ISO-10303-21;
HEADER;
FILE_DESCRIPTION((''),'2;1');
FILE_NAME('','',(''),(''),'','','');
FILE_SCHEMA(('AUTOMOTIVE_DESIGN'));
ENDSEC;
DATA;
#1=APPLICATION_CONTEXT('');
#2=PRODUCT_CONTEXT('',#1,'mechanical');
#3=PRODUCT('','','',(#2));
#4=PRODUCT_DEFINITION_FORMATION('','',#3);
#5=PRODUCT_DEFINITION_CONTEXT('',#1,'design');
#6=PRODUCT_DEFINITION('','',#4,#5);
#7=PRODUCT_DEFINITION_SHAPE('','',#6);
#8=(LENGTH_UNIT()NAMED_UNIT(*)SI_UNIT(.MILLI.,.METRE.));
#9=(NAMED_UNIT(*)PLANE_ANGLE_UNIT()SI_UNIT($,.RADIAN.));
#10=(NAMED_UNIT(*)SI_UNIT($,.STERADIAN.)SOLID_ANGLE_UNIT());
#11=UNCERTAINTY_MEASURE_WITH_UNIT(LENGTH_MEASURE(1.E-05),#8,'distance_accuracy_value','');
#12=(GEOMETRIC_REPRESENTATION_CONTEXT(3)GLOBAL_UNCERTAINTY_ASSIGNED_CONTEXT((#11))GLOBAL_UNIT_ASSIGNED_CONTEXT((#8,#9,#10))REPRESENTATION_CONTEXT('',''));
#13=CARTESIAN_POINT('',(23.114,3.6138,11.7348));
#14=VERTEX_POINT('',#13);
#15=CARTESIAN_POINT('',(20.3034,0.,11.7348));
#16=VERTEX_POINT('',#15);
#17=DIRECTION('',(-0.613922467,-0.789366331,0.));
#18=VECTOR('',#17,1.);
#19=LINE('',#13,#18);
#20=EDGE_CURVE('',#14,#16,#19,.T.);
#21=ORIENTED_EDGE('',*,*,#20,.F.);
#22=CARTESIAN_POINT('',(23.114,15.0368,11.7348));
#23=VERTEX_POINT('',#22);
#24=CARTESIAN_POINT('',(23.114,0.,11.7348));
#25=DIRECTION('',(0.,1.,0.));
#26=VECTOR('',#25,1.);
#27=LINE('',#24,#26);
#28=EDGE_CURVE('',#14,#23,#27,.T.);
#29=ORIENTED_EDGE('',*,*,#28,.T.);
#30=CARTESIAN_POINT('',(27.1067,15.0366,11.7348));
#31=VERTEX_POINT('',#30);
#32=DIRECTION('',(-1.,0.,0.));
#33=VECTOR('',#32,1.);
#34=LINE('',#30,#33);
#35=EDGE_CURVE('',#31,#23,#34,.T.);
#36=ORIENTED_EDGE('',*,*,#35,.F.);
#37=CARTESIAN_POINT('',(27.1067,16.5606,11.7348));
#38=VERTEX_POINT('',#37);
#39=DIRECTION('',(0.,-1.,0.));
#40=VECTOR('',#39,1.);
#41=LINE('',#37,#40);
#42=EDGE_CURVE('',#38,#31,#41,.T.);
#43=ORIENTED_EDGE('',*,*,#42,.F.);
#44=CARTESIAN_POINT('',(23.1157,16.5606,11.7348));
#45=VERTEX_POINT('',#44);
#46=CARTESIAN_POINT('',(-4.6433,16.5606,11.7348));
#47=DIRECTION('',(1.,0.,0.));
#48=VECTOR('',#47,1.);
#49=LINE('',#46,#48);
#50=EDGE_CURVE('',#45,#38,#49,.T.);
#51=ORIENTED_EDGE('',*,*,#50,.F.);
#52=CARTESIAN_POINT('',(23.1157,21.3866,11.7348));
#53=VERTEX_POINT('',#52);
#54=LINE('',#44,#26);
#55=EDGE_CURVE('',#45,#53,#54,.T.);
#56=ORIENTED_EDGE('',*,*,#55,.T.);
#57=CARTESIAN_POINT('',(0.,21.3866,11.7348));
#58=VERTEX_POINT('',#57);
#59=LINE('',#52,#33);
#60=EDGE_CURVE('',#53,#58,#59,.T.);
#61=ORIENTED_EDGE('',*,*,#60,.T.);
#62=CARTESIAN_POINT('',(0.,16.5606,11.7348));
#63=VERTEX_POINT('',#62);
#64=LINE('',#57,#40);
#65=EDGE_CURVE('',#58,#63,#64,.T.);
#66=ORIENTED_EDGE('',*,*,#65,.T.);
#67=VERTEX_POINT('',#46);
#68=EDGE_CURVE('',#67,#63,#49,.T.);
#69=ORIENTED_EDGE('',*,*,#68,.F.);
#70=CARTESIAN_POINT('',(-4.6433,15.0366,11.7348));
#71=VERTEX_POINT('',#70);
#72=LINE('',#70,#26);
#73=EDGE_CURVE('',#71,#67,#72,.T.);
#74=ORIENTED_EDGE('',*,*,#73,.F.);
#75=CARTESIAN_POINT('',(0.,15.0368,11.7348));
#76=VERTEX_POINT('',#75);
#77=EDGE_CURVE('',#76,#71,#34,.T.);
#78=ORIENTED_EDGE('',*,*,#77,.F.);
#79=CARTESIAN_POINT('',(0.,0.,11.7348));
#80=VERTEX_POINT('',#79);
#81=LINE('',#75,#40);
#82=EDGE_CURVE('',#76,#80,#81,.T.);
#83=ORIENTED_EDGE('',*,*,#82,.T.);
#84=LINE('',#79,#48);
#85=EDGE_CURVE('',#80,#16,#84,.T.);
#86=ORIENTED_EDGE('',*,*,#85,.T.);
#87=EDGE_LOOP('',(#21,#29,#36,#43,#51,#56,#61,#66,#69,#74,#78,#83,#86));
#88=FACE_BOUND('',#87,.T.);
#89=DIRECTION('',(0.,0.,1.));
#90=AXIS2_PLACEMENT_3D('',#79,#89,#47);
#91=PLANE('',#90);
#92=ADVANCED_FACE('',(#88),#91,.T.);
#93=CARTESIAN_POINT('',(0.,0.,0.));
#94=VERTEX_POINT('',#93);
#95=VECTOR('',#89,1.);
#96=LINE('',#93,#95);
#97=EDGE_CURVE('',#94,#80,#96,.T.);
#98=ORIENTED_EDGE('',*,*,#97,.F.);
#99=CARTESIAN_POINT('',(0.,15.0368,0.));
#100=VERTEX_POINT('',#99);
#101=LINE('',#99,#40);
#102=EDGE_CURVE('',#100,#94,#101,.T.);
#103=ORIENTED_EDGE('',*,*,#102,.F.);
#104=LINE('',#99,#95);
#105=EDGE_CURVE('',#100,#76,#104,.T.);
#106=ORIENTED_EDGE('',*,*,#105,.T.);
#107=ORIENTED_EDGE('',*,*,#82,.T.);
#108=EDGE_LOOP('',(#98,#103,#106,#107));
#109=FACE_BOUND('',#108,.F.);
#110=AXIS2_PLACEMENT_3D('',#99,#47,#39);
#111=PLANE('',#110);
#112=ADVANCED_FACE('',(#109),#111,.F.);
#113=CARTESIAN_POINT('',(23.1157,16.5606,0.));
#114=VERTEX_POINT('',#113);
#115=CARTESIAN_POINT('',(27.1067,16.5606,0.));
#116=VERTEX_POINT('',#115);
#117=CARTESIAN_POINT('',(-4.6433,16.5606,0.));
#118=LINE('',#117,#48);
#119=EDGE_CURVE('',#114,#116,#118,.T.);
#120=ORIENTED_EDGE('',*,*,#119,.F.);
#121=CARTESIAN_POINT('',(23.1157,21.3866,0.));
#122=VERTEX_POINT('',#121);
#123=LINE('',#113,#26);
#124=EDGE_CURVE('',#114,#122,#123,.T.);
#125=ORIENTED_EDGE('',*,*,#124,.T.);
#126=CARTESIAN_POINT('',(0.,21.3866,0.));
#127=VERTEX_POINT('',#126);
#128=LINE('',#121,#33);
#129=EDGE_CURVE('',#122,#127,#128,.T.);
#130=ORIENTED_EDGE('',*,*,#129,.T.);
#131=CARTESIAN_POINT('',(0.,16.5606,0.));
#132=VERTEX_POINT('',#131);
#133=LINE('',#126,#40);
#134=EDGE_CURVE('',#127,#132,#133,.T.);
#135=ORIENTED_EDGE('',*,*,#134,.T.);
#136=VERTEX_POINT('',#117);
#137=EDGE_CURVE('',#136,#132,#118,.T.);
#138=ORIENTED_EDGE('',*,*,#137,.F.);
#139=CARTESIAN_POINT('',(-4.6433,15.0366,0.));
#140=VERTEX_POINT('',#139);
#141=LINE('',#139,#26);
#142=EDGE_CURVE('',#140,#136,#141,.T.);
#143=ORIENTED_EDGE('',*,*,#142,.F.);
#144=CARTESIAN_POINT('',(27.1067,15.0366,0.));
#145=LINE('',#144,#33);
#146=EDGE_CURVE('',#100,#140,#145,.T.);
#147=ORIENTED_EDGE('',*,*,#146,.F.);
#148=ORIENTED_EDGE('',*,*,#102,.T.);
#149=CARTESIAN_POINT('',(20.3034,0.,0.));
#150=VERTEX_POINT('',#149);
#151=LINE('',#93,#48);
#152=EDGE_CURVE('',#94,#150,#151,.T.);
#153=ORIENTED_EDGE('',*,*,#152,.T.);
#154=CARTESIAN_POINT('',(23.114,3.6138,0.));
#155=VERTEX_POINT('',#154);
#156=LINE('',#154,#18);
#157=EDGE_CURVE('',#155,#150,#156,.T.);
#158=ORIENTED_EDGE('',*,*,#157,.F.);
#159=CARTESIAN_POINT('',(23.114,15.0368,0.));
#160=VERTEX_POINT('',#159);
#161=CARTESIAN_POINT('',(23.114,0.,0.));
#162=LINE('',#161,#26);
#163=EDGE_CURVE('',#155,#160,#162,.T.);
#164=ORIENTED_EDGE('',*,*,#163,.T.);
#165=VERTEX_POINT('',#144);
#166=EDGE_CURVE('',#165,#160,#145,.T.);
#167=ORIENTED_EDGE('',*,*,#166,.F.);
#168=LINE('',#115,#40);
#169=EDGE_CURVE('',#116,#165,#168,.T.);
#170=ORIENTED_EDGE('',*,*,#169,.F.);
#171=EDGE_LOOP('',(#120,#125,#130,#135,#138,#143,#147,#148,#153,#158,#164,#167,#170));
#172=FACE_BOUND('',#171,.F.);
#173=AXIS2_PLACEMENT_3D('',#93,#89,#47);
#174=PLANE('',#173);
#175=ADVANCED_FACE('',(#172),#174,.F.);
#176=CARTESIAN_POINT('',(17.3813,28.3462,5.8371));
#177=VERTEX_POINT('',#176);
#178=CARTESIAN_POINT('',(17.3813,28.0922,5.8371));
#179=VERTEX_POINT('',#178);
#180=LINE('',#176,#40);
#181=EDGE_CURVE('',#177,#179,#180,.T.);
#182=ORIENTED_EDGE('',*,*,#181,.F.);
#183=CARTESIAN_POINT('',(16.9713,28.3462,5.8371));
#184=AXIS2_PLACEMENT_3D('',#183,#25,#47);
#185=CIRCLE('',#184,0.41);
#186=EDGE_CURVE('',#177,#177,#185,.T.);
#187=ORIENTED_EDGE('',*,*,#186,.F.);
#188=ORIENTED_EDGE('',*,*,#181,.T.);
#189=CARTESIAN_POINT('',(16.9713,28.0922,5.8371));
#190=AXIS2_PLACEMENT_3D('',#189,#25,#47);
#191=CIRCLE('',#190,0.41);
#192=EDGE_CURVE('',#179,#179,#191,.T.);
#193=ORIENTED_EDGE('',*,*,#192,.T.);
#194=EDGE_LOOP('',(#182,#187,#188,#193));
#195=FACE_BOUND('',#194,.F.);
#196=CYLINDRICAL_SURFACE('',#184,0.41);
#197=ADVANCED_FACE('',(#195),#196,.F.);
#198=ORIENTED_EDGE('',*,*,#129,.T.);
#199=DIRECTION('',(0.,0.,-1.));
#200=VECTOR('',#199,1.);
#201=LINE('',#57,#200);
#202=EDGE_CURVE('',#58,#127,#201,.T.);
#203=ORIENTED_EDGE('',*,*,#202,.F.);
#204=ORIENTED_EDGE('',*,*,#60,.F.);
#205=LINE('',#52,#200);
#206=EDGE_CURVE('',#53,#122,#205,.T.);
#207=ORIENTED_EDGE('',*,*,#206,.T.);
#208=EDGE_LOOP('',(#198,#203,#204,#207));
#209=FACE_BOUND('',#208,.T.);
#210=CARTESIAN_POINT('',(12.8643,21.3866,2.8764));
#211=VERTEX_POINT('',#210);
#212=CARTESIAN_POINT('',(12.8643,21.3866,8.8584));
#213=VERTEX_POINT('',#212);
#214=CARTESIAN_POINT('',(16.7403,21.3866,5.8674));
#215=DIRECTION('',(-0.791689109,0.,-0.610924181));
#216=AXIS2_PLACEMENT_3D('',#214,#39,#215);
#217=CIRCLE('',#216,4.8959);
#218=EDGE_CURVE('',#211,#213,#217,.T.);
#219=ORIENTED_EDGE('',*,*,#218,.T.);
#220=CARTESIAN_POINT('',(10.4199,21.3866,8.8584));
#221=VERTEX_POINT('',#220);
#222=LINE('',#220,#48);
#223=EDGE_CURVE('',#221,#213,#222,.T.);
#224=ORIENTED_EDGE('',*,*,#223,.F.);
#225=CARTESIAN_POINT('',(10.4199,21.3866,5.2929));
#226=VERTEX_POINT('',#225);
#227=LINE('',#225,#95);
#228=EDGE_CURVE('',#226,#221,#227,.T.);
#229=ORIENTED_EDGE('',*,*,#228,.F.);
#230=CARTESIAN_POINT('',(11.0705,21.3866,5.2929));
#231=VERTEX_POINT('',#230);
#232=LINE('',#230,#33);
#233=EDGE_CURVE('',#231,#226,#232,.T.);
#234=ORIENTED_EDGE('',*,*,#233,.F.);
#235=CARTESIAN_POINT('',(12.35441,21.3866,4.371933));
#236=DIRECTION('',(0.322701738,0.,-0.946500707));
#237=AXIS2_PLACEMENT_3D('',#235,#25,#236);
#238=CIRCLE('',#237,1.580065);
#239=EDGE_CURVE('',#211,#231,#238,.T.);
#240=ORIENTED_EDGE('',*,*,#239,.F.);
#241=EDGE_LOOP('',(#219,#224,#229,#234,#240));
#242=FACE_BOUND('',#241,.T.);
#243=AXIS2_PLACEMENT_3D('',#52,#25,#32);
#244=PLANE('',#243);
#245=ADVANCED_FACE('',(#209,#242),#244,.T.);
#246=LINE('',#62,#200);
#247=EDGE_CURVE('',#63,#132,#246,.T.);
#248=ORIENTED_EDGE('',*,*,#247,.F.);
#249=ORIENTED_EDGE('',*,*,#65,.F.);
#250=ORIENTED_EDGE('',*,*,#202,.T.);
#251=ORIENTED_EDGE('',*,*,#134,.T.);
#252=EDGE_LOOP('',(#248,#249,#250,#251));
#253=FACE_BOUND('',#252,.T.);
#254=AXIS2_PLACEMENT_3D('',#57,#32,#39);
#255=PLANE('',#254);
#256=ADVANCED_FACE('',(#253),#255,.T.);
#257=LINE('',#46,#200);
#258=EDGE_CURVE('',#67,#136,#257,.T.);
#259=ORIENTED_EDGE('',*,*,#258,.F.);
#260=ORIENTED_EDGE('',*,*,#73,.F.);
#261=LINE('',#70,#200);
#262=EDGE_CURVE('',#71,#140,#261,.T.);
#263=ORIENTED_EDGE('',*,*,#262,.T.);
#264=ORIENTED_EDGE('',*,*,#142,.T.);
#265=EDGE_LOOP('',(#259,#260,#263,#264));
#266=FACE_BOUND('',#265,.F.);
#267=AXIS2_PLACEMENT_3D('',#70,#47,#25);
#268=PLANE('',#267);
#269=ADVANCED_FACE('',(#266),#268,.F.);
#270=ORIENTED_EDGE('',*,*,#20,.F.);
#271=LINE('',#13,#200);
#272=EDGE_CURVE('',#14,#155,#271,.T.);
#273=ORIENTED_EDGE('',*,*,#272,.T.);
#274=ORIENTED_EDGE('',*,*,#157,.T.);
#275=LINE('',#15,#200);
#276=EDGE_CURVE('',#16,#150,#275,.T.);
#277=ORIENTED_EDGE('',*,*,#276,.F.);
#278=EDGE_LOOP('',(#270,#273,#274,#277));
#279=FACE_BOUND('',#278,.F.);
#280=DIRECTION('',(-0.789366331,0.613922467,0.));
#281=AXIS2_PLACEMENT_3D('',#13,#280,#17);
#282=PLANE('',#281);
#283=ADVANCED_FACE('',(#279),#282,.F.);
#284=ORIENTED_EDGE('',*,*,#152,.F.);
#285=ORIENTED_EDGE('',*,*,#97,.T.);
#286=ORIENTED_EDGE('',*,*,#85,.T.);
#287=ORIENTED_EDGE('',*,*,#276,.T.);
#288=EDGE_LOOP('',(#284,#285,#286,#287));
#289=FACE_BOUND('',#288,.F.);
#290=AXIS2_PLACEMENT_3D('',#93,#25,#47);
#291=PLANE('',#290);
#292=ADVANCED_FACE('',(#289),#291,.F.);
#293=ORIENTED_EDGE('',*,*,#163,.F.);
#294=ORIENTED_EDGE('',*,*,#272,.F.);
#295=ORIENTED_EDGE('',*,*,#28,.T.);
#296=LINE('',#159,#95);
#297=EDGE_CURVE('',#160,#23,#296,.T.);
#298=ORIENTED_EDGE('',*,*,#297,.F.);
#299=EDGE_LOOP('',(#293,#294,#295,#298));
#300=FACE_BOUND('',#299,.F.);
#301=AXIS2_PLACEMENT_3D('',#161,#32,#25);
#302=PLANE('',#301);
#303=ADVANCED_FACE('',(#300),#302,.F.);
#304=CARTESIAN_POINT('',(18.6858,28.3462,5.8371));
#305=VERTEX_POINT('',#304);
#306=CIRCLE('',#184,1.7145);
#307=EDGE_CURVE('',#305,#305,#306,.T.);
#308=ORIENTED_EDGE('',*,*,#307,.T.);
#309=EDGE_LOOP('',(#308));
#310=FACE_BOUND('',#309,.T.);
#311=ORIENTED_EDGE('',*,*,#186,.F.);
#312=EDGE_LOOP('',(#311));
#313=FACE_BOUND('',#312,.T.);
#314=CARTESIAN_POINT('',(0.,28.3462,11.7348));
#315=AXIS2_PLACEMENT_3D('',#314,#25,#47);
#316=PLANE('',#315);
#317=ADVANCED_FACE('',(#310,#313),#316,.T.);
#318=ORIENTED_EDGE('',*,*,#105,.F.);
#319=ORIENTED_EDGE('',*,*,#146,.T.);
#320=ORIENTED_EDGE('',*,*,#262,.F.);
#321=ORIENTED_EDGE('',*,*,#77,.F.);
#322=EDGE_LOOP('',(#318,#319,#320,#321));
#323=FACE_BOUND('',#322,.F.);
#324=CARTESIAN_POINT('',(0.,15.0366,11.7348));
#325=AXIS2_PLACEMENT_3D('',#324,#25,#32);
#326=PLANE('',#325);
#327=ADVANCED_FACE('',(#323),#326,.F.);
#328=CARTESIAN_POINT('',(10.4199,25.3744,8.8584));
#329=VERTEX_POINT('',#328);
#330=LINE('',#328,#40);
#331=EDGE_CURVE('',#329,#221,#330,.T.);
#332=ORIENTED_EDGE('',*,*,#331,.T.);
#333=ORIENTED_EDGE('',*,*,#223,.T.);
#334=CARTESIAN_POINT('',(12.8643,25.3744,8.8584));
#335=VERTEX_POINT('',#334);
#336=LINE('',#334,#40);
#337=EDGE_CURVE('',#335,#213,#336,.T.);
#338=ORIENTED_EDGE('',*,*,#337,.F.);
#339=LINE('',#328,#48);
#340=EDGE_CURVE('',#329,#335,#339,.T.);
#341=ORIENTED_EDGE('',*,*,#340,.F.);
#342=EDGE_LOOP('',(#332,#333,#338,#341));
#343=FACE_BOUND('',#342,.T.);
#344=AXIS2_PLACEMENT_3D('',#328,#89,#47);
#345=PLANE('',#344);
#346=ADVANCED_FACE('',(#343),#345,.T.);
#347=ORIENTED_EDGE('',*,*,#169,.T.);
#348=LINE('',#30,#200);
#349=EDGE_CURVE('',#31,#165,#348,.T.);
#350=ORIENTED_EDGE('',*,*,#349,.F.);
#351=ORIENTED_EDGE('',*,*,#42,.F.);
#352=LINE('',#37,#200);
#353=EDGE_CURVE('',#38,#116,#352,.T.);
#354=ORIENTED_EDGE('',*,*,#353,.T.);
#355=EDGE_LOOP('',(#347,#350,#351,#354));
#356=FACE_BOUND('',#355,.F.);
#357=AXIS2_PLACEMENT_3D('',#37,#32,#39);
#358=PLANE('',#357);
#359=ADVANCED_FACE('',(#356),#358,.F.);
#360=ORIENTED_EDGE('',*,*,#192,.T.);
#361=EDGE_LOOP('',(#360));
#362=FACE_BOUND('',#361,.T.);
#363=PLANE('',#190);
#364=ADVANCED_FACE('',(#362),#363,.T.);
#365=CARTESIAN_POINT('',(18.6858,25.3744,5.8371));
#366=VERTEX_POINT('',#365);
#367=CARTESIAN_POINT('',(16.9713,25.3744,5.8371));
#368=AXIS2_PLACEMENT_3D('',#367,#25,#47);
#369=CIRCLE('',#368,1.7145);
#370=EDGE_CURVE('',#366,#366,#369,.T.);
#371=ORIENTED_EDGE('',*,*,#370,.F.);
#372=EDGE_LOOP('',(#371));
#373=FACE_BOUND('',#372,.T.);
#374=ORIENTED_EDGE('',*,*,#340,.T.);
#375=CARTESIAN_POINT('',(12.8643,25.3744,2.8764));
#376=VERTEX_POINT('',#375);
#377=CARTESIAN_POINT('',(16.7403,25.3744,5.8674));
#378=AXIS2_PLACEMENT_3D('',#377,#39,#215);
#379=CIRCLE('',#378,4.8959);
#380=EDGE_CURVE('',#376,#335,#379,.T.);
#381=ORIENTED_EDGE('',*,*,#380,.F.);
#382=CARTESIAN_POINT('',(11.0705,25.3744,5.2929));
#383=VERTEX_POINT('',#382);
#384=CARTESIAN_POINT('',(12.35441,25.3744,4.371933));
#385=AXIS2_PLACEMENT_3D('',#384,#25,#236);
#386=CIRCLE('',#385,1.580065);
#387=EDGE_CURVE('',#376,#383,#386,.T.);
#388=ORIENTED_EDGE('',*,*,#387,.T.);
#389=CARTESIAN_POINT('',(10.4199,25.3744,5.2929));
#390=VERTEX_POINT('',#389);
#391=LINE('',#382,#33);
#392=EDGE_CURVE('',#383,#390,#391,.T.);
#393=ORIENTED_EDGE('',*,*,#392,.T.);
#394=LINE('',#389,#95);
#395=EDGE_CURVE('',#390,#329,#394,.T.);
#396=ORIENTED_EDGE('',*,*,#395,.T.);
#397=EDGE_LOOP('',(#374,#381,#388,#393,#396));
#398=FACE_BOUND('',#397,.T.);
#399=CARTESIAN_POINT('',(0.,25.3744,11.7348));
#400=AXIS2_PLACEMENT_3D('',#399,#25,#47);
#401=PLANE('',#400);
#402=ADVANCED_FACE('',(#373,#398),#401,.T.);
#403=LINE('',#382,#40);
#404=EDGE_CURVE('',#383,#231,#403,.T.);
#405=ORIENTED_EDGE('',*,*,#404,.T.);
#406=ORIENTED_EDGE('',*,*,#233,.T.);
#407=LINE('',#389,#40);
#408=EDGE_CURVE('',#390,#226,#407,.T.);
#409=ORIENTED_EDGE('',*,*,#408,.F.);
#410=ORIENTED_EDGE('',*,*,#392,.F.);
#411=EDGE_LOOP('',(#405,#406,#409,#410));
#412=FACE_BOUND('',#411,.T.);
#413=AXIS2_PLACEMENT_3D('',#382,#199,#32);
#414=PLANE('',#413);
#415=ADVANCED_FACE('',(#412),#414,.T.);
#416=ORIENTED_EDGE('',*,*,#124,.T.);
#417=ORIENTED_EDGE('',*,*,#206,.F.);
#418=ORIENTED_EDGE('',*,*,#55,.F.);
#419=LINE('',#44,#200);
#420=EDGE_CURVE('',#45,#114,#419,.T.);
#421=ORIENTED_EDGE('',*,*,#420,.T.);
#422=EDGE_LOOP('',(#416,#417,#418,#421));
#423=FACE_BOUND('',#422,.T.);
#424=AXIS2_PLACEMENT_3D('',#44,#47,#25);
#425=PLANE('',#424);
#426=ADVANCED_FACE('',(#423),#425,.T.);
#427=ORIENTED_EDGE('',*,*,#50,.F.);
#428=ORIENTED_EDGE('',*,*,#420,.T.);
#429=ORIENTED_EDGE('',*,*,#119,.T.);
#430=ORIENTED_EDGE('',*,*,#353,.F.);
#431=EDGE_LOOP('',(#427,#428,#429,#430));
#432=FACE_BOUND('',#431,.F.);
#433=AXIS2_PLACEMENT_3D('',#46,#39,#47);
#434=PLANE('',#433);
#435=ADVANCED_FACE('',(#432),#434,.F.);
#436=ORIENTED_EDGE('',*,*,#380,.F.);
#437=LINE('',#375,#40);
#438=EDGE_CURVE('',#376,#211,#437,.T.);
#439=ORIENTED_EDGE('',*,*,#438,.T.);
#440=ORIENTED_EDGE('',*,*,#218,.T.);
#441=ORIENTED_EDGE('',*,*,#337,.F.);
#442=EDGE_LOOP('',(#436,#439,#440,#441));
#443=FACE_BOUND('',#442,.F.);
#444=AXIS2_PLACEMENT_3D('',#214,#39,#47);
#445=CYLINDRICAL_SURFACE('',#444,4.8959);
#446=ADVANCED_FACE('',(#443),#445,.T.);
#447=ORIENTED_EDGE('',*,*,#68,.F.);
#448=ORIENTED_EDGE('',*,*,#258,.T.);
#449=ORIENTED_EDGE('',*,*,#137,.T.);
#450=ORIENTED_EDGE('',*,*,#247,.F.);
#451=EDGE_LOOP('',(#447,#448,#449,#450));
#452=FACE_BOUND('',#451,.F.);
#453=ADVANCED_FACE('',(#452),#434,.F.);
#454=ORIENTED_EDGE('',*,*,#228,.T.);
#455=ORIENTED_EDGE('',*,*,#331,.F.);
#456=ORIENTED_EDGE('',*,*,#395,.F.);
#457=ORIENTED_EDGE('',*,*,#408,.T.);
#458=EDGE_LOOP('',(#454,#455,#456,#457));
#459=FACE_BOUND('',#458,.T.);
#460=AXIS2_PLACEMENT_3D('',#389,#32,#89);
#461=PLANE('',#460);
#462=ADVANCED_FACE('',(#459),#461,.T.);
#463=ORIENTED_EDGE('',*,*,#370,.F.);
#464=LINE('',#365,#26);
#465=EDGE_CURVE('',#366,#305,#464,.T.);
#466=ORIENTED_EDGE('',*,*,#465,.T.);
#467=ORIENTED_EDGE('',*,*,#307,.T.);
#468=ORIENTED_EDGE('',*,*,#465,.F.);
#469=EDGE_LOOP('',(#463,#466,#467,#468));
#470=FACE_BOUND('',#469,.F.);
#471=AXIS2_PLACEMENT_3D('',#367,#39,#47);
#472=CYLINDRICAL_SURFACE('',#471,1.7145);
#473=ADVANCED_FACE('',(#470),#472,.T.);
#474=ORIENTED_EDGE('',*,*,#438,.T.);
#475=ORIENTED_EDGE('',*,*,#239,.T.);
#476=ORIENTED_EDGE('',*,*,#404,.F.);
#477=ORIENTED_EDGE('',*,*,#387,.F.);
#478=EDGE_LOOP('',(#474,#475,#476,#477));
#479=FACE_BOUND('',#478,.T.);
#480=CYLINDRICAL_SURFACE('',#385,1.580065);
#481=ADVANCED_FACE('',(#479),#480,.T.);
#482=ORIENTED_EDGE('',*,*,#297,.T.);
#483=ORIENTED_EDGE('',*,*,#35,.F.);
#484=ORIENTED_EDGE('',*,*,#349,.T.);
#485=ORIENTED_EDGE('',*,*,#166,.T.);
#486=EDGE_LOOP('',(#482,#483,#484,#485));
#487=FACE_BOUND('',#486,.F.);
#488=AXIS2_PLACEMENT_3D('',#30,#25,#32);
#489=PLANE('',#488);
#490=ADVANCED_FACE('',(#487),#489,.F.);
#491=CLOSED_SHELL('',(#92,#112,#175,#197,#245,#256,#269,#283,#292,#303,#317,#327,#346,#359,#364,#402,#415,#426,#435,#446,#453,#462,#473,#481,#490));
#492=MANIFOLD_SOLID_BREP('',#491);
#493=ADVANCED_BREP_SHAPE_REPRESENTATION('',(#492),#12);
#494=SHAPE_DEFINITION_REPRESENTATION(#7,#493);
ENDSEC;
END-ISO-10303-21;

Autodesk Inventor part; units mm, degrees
ref_plane "YZ Plane" through (0, 0, 0) normal (1, 0, 0) x (0, 1, 0)
ref_plane "XZ Plane" through (0, 0, 0) normal (0, 1, 0) x (-1, 0, 0)
ref_plane "XY Plane" through (0, 0, 0) normal (0, 0, 1) x (1, 0, 0)
sketch "Sketch1" plane through (0, 0, 0) normal (0, 0, 1) x (1, 0, 0)
  line L0 (0, 0) -> (23.114, 0)
  line L1 (23.114, 0) -> (23.114, 15.0368)
  line L2 (23.114, 15.0368) -> (0, 15.0368)
  line L3 (0, 15.0368) -> (0, 0)
  dimension "d0" = 15.0368
  dimension "d1" = 23.114
extrude "Extrusion1" add sketch "Sketch1" along normal blind 11.7348
sketch "Sketch2" plane through (0, 0, 11.7348) normal (0, 0, 1) x (1, 0, 0)
  line L0 (23.114, 0) -> (23.114, 3.6138)
  line L1 (23.114, 0) -> (23.114, 15.0368) projected
  line L2 (0, 0) -> (23.114, 0) projected
  line L3 (20.3034, 0) -> (23.114, 0)
  line L4 (23.114, 3.6138) -> (20.3034, 0)
extrude "Extrusion2" cut sketch "Sketch2" against normal blind 11.7348
sketch "Sketch3" plane through (0, 0, 11.7348) normal (0, 0, 1) x (1, 0, 0)
  line L0 (-4.6433, 16.5606) -> (27.1067, 16.5606)
  line L1 (27.1067, 16.5606) -> (27.1067, 15.0366)
  line L2 (27.1067, 15.0366) -> (-4.6433, 15.0366)
  line L3 (-4.6433, 15.0366) -> (-4.6433, 16.5606)
  line L4 (23.114, 15.0368) -> (0, 15.0368) projected
  point P0 (0, 0)
  dimension "d6" = 31.75
  dimension "d7" = 1.524
extrude "Extrusion3" add sketch "Sketch3" against normal blind 11.7348
sketch "Sketch4" plane through (0, 0, 11.7348) normal (0, 0, 1) x (1, 0, 0)
  line L0 (-4.6433, 16.5606) -> (27.1067, 16.5606) projected
  line L1 (0, 16.5606) -> (23.1157, 16.5606)
  line L2 (23.1157, 16.5606) -> (23.1157, 21.3866)
  line L3 (23.1157, 21.3866) -> (0, 21.3866)
  line L4 (0, 21.3866) -> (0, 16.5606)
  point P0 (0, 0)
  dimension "d10" = 4.826
extrude "Extrusion4" add sketch "Sketch4" against normal up to surface (11.7348 mm away)
sketch "Sketch5" plane through (0, 21.3866, 11.7348) normal (0, 1, 0) x (1, 0, 0)
  circle A0 centre (16.7403, 5.8674) radius 4.8959
  point P0 (0, 11.7348)
  dimension "d14" = 9.7917
extrude "Extrusion5" add sketch "Sketch5" along normal blind 3.9878
sketch "Sketch6" plane through (16.7403, 25.3744, 5.8674) normal (0, 1, 0) x (1, 0, 0)
  circle A0 centre (0, 0) radius 4.8958 projected
  arc A1 (-3.876, 2.991) -> (-5.6698, 0.5745) centre (-4.3859, 1.4955) ccw
  line L0 (-5.6698, 0.5745) -> (-6.3204, 0.5745)
  line L1 (-6.3204, 0.5745) -> (-6.3204, -2.991)
  line L2 (-6.3204, -2.991) -> (-3.876, -2.991)
  line L3 (-3.876, 0) -> (-3.876, 0.5745)
  point P0 (-16.7403, 5.8674)
extrude "Extrusion6" add sketch "Sketch6" against normal blind 3.9878 contours A0 L2 L1 L0 A1
sketch "Sketch7" plane through (0, 25.3744, 11.7348) normal (0, 1, 0) x (1, 0, 0)
  circle A0 centre (16.9713, 5.8977) radius 1.7145
  point P0 (0, 11.7348)
  dimension "d19" = 3.429
extrude "Extrusion7" add sketch "Sketch7" along normal blind 2.9718
sketch "Sketch8" plane through (16.9713, 28.3462, 5.8371) normal (0, 1, 0) x (1, 0, 0)
  circle A0 centre (0, 0) radius 0.41
  point P0 (-16.9713, 5.8371)
extrude "Extrusion8" cut sketch "Sketch8" against normal blind 0.254
